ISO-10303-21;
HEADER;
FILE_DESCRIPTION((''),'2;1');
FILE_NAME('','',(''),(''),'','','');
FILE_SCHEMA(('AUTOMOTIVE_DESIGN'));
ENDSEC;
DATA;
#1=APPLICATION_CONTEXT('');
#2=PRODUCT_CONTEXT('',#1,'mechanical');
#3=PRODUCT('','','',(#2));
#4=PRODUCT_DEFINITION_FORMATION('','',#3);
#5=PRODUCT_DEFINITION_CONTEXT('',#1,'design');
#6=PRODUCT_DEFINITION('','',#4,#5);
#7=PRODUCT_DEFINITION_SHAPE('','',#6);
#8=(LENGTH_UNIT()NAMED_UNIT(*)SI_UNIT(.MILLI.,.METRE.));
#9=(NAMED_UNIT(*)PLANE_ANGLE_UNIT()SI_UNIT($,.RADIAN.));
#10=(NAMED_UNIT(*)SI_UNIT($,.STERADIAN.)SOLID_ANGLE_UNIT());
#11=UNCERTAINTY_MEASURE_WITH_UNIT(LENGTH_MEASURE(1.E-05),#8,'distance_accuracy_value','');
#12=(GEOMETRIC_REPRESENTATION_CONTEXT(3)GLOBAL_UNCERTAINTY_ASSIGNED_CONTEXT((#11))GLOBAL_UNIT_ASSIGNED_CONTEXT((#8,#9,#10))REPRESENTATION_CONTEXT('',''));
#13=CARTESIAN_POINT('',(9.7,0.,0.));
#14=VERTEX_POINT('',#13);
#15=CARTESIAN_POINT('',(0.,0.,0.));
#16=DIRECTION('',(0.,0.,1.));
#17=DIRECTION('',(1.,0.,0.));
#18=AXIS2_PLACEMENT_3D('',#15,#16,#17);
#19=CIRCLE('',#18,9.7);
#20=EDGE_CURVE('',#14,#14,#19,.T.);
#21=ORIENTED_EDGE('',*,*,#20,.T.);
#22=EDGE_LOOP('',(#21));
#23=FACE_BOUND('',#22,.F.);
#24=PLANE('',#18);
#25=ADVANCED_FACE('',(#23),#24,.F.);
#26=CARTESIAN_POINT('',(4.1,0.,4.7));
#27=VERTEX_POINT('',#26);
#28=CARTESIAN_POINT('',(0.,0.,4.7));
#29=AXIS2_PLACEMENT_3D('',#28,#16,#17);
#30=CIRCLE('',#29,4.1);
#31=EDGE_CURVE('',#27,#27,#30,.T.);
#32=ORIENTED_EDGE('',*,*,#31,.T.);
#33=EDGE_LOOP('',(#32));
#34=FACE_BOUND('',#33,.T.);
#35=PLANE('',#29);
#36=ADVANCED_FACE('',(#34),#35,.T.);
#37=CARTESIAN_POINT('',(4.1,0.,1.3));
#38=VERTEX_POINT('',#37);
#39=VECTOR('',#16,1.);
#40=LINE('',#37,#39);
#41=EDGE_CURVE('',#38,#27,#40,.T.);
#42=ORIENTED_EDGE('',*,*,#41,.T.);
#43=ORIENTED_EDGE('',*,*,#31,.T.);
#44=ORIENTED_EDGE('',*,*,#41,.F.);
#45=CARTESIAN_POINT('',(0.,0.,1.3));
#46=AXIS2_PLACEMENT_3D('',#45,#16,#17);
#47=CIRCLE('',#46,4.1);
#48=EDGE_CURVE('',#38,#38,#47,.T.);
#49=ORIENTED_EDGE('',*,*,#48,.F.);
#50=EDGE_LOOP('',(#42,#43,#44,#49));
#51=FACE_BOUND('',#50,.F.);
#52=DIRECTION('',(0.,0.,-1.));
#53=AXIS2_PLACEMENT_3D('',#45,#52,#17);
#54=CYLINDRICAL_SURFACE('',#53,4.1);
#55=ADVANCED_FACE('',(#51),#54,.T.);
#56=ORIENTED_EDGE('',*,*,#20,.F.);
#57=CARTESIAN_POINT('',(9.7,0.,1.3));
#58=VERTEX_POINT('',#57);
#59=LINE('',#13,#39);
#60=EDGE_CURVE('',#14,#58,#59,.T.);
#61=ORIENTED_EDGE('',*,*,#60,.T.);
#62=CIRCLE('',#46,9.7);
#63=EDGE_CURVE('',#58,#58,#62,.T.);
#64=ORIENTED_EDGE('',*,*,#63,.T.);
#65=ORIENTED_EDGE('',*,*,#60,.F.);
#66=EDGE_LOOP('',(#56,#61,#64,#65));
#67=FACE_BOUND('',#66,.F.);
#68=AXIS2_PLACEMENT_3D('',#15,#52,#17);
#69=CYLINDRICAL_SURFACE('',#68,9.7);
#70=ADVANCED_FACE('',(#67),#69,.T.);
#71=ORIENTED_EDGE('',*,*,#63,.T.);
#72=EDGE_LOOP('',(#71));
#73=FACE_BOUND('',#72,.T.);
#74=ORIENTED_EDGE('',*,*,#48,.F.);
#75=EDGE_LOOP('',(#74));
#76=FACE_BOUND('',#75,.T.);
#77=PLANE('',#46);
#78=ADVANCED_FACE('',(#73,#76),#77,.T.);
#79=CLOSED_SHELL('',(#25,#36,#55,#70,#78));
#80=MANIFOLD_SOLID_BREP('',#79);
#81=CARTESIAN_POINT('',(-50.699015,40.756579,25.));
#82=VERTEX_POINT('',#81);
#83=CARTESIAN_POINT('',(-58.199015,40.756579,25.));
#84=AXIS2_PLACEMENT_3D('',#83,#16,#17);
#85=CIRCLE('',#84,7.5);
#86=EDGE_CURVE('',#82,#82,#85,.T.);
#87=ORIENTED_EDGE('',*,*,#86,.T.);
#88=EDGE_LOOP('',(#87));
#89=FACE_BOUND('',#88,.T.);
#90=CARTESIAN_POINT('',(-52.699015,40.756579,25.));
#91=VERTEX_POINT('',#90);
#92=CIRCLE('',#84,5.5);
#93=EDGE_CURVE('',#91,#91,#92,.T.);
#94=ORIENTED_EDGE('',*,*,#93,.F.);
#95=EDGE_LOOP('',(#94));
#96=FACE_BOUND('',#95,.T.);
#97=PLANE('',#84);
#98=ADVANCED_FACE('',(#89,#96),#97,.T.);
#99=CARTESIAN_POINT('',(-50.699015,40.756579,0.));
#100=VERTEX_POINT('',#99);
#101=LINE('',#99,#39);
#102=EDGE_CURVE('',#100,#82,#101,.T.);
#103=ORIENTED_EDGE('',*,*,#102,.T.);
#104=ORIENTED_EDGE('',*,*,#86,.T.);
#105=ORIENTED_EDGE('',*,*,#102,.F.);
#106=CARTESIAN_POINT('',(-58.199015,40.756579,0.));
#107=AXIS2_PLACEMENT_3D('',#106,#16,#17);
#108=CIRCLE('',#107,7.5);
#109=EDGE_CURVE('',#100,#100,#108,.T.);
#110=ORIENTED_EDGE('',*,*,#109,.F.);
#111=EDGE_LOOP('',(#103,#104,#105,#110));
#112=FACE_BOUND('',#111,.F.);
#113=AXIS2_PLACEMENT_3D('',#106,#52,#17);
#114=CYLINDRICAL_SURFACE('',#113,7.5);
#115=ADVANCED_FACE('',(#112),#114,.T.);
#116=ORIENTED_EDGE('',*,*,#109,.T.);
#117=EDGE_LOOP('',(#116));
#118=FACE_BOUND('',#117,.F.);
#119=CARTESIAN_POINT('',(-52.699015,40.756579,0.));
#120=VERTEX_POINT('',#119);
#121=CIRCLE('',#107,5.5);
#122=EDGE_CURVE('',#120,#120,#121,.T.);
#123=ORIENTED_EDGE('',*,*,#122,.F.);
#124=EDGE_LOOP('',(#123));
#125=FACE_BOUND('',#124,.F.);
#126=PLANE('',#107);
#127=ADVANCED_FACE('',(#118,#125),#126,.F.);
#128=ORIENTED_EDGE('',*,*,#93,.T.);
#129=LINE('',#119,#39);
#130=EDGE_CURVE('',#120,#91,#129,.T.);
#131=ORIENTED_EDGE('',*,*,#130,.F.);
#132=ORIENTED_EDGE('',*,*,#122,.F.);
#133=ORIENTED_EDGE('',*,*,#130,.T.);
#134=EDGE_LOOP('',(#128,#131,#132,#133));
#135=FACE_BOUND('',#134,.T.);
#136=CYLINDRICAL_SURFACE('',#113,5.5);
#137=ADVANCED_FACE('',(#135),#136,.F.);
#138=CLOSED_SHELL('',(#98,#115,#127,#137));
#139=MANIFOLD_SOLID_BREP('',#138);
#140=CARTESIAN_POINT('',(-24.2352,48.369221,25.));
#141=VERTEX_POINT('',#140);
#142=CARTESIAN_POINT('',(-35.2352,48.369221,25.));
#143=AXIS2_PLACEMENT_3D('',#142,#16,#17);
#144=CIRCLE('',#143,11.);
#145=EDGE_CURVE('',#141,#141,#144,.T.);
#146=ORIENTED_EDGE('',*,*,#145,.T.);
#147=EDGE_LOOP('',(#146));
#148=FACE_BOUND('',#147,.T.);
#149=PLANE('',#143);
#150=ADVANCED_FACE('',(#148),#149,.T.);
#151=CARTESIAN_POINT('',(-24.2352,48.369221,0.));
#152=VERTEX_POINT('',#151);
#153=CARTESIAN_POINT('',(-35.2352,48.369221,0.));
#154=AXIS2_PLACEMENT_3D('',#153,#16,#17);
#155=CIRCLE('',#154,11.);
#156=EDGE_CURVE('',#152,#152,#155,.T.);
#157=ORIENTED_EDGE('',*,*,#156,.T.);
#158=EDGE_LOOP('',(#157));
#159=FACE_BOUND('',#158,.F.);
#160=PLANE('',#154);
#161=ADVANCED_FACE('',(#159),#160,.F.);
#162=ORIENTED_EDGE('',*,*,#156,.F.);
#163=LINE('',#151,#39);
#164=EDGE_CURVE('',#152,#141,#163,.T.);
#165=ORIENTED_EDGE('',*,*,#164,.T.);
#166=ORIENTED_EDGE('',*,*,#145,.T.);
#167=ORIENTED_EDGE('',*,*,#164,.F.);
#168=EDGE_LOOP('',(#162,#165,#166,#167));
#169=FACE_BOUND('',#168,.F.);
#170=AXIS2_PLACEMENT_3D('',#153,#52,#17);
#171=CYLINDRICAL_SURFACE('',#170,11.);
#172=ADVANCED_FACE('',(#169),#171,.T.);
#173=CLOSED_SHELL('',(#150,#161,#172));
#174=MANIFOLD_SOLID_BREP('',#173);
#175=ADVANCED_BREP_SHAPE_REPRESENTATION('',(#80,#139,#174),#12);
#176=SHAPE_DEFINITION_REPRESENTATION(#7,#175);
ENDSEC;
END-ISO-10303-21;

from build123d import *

# Parameters (mm, degrees)
F0_R     = 9.7
F1_DEPTH = 1.3
F2_R     = 4.1
F3_DEPTH = 3.4
F4_R     = 7.5
F4_R_2   = 5.5
F5_DEPTH = 25
F4_R_3   = 11
F6_DEPTH = 25


with BuildPart() as f1:
    # F0 (on Top) → F1 (new body)
    with BuildSketch(Plane.XY):
        Circle(F0_R)
    extrude(amount=F1_DEPTH)

    # F2 (on face) → F3 (join)
    with BuildSketch(Plane.XY.offset(1.3)):
        Circle(F2_R)
    extrude(amount=F3_DEPTH)


with BuildPart() as f5:
    # F4 (on Top) → F5 (new body)
    with BuildSketch(Plane.XY):
        with Locations((-58.199015, 40.756579)):
            Circle(F4_R)
        with Locations((-58.199015, 40.756579)):
            Circle(F4_R_2, mode=Mode.SUBTRACT)
    extrude(amount=F5_DEPTH)


with BuildPart() as f6:
    # F4 (on Top) → F6 (new body)
    with BuildSketch(Plane.XY):
        with Locations((-35.2352, 48.369221)):
            Circle(F4_R_3)
    extrude(amount=F6_DEPTH)


solid = Compound([f1.part, f5.part, f6.part])
